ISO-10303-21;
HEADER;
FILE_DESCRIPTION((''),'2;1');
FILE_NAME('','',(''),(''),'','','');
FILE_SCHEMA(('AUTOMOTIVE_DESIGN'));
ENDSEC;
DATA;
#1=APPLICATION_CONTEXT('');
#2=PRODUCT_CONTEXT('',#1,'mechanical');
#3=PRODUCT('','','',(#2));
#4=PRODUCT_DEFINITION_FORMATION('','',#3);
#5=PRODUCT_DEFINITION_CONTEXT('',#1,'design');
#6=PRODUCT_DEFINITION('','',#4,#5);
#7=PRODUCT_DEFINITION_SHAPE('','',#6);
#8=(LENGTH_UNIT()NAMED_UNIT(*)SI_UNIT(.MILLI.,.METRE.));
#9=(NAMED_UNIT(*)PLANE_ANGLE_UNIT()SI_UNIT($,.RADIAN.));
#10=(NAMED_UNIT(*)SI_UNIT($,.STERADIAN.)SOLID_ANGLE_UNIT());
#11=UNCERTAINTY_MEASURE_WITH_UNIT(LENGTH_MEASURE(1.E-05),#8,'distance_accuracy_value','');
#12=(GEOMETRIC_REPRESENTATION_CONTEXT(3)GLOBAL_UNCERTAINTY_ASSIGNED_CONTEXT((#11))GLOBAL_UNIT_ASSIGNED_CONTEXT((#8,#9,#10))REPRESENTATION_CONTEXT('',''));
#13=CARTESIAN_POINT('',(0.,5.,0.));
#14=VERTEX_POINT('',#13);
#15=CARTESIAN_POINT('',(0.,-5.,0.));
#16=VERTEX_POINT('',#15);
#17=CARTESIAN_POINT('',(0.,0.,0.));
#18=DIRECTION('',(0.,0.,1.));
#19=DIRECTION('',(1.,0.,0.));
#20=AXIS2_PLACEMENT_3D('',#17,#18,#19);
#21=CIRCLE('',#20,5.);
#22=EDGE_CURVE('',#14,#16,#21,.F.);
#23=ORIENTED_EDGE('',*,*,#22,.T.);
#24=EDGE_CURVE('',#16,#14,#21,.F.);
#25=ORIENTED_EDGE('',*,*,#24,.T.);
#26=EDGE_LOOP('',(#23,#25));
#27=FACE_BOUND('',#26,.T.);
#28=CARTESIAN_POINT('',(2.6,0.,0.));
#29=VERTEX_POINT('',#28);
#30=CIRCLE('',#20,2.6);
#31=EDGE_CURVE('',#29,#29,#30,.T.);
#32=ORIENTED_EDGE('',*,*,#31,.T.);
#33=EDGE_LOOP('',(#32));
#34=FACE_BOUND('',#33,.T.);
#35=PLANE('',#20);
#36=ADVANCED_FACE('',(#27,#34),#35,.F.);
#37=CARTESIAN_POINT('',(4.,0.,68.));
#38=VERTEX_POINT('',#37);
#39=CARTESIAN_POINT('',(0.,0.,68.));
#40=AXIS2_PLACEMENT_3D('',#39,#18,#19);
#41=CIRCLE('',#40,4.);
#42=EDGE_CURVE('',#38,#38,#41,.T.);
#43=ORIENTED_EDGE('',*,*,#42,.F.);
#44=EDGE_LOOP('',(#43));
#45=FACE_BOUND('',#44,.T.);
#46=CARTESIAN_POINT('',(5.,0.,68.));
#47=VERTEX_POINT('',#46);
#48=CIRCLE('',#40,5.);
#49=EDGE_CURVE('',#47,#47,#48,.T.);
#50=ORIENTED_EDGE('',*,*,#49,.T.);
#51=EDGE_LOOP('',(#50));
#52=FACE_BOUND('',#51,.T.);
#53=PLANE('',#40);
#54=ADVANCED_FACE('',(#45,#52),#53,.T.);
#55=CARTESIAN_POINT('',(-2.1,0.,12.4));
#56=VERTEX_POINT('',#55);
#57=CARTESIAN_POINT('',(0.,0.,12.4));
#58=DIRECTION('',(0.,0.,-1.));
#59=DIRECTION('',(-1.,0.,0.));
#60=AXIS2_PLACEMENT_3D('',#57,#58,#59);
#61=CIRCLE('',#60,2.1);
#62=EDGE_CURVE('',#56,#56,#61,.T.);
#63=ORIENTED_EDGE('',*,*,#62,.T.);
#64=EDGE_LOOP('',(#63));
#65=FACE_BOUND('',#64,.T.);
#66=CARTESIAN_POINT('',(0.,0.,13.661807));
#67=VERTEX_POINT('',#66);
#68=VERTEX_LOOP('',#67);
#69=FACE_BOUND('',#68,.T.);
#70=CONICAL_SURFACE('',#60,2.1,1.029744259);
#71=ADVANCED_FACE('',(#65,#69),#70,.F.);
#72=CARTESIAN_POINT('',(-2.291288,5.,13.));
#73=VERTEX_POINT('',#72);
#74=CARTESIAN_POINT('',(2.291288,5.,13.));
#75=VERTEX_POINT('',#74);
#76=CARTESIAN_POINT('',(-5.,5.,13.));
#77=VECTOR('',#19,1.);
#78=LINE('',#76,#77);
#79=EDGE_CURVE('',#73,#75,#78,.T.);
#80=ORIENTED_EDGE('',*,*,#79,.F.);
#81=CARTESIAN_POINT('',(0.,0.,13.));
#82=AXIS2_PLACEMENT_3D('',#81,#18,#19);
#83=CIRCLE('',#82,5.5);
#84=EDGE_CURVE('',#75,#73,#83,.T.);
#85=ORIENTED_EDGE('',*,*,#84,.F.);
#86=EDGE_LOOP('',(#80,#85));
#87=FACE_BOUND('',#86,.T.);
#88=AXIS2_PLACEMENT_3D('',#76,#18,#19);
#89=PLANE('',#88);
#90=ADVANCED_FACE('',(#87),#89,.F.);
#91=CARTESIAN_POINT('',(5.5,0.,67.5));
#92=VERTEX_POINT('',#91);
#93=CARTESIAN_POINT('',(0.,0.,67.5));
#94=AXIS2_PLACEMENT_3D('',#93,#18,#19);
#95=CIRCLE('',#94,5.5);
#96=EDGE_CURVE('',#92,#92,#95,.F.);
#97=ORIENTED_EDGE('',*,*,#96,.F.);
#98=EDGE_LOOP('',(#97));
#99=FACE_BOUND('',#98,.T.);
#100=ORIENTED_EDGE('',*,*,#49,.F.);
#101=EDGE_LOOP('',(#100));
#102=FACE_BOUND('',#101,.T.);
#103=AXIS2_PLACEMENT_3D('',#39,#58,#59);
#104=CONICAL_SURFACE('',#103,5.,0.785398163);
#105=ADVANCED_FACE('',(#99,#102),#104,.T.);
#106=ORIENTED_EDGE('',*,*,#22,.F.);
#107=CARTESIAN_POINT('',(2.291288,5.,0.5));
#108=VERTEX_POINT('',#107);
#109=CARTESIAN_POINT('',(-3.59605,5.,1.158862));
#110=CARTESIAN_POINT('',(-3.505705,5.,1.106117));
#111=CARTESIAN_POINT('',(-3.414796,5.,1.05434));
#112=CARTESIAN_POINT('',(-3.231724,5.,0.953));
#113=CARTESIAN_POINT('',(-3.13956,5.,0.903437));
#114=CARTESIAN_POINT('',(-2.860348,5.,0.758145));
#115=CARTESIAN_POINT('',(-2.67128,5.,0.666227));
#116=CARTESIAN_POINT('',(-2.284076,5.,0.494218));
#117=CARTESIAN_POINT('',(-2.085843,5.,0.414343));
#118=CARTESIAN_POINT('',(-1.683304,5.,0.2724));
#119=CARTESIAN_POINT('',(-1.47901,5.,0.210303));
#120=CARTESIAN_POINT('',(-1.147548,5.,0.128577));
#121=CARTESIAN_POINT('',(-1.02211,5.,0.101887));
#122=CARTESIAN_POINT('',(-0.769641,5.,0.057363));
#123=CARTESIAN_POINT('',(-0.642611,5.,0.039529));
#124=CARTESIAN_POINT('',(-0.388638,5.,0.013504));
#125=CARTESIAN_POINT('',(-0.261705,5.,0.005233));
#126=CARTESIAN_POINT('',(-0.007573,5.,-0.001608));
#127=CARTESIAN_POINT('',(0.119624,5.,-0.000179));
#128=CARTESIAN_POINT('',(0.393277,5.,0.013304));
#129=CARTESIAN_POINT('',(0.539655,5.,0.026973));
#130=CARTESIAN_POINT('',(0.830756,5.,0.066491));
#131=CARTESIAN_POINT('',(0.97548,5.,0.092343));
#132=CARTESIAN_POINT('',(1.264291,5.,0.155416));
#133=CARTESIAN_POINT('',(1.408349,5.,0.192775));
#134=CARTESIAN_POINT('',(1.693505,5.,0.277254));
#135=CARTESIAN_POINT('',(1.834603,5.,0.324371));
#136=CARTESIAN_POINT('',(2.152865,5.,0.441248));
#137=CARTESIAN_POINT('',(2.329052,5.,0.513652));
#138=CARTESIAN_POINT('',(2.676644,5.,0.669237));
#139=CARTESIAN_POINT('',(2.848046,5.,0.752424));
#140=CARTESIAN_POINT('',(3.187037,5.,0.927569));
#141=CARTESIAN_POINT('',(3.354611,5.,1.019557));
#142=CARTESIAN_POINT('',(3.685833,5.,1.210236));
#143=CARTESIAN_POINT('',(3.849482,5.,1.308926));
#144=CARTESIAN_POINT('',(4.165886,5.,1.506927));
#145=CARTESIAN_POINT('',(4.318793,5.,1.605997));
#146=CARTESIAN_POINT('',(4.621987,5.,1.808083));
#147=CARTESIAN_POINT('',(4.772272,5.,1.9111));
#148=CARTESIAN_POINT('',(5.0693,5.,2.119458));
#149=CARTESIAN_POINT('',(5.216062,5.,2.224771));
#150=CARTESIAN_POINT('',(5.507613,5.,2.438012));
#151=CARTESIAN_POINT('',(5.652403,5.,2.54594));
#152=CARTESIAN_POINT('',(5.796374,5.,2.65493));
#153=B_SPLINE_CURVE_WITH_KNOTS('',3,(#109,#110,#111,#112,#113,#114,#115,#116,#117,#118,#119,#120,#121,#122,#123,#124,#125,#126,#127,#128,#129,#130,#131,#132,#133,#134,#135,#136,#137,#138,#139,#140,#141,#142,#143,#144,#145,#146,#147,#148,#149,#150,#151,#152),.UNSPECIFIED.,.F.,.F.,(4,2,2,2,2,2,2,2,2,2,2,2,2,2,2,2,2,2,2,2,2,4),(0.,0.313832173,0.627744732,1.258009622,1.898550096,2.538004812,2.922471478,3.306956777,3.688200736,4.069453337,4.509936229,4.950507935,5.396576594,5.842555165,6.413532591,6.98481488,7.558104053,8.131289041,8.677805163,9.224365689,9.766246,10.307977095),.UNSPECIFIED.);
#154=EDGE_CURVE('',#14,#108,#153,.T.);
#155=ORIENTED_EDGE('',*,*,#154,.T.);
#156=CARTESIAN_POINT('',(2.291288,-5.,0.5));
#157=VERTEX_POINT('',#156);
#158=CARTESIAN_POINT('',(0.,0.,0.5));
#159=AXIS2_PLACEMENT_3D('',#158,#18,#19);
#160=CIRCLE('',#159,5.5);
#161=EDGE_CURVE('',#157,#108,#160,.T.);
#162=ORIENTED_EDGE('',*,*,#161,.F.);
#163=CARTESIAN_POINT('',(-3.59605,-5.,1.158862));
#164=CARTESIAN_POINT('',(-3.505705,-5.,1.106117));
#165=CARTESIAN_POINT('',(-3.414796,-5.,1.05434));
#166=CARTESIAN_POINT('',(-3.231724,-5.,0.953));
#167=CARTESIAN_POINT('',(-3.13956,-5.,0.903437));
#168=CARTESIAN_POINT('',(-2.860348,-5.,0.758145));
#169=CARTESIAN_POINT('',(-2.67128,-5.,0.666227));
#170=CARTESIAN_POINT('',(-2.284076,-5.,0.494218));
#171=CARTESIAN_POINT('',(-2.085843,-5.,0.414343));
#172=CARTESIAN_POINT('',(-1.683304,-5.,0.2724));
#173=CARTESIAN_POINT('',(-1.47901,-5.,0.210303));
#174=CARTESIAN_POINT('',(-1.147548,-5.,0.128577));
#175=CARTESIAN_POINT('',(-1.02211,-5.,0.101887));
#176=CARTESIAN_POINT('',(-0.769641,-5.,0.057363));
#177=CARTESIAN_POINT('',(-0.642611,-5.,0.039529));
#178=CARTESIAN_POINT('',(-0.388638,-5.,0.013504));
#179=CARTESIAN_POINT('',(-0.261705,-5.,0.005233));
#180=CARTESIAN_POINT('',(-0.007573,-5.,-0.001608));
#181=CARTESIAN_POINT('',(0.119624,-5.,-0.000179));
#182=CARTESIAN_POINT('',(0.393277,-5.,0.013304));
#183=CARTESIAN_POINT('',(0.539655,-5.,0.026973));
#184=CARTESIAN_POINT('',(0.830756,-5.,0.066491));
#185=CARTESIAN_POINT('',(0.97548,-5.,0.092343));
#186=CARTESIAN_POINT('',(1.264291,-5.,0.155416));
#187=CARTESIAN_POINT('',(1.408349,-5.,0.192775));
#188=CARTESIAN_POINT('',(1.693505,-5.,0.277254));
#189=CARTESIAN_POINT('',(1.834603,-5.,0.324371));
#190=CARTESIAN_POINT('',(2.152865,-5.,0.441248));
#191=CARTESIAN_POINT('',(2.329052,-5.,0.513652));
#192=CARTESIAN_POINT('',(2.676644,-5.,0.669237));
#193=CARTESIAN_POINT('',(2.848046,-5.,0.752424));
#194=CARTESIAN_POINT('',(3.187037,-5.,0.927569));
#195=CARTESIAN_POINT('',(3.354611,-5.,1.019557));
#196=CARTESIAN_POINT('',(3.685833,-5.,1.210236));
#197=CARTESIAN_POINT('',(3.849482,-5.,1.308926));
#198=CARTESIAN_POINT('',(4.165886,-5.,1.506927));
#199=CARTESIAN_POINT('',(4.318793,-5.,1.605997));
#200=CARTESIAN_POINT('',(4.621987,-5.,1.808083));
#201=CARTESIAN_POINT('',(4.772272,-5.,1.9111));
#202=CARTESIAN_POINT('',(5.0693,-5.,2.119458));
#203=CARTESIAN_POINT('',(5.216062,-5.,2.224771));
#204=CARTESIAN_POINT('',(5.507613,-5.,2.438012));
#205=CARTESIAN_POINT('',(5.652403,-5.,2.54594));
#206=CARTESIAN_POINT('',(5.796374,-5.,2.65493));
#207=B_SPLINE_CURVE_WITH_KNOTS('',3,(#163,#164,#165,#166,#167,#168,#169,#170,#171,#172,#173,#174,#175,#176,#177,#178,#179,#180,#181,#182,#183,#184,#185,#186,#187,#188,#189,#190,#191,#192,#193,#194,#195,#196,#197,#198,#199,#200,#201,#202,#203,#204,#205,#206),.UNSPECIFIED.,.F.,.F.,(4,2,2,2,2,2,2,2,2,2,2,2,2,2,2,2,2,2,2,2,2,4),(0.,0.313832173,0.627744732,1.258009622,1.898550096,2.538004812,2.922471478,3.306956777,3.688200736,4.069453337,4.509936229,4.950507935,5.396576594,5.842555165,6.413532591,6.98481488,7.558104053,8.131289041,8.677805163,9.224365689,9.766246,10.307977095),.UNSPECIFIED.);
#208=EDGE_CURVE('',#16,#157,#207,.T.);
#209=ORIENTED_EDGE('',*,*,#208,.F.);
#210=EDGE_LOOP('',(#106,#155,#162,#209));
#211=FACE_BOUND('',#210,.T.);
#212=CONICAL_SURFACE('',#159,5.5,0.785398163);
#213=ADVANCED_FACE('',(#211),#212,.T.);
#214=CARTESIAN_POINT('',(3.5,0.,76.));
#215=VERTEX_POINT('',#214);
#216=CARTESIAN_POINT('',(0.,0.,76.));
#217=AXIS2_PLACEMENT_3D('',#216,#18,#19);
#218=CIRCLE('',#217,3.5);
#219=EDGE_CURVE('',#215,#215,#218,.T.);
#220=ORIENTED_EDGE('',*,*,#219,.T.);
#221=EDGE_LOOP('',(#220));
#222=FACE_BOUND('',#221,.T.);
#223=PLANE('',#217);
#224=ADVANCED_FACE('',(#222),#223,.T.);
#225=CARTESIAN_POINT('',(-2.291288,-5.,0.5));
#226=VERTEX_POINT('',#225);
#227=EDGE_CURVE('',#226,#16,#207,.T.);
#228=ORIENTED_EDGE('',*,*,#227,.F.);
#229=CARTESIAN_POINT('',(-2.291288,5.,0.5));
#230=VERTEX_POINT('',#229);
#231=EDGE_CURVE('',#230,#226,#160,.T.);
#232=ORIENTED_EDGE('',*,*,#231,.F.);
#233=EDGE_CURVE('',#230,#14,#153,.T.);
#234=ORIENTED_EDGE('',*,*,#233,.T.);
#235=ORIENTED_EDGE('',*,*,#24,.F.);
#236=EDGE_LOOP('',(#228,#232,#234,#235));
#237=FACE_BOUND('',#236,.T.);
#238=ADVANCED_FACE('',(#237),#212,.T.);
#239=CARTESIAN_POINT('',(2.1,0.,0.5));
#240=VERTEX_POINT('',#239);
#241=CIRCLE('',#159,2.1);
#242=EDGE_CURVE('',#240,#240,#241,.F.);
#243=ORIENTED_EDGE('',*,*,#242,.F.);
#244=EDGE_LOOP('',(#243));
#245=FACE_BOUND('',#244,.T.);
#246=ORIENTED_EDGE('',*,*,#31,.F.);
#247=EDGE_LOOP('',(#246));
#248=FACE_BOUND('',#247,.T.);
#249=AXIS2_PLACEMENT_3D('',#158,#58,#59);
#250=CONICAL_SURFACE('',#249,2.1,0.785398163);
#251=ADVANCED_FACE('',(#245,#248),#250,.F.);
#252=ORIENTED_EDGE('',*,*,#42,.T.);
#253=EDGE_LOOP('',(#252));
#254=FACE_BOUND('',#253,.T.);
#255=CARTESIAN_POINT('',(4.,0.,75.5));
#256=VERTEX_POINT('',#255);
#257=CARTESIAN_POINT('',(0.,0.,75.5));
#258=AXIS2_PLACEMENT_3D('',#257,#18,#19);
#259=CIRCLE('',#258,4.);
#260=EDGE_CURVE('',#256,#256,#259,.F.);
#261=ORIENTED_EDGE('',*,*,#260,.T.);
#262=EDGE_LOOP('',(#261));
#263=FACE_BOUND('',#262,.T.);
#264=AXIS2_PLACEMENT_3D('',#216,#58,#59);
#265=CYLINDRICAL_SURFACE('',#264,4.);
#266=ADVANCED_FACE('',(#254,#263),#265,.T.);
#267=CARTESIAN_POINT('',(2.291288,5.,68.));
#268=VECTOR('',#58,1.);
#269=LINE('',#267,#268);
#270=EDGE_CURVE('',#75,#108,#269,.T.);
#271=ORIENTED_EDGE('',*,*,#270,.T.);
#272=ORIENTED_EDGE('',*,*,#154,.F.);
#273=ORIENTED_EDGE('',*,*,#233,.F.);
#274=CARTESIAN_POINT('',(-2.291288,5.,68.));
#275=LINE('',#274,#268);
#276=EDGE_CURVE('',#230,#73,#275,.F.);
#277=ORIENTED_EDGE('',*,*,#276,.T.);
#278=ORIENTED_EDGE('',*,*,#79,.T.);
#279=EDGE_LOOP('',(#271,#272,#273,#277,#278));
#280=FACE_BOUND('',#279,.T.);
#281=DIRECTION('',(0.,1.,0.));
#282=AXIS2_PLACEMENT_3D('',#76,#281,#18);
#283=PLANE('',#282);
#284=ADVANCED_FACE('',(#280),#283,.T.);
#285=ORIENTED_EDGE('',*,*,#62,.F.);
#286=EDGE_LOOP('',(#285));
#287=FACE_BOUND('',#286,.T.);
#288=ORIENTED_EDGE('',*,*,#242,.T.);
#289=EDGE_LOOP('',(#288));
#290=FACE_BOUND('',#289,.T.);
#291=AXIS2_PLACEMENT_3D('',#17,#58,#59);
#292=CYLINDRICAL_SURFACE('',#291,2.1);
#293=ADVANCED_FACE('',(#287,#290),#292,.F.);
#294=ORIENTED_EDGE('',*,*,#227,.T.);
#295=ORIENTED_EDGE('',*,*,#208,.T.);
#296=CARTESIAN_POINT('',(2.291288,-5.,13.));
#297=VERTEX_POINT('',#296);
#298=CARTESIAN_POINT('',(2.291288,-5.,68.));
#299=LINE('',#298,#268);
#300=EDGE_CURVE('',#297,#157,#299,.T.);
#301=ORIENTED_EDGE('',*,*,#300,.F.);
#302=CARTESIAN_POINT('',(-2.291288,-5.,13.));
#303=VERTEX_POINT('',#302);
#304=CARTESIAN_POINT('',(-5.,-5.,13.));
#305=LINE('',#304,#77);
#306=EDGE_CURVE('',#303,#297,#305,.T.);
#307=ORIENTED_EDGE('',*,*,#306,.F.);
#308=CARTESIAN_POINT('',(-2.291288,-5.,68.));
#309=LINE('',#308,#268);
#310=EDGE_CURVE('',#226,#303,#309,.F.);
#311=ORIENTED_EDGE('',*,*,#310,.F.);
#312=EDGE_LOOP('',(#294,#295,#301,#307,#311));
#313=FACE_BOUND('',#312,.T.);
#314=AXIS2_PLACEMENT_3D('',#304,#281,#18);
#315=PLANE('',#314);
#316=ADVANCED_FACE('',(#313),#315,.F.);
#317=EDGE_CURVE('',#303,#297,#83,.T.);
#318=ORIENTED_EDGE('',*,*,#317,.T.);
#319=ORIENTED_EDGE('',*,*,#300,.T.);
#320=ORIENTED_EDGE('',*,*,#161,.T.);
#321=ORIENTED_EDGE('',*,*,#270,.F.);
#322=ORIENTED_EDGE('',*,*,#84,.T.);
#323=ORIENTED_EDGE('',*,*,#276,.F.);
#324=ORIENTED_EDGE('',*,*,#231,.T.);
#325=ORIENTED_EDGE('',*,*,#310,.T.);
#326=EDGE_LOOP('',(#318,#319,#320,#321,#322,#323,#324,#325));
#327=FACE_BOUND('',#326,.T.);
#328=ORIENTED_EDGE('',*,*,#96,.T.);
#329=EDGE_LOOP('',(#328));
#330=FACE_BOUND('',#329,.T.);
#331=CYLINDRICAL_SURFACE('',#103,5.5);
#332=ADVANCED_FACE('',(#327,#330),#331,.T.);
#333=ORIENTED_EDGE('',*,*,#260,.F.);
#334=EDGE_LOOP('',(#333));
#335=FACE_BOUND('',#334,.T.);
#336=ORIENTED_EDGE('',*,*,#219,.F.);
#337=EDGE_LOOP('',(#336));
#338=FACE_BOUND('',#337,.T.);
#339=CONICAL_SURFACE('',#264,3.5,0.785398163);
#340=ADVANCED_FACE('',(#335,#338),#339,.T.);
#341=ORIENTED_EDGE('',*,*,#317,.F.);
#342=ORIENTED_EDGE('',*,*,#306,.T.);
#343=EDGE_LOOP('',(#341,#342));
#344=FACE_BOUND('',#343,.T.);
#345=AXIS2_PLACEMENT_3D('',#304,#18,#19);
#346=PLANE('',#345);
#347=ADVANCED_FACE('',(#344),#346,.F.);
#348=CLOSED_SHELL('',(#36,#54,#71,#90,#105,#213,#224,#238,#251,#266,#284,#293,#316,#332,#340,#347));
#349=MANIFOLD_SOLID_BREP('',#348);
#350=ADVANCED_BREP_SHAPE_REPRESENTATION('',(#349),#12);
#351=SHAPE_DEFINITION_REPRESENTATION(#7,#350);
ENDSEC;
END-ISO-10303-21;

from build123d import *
from build123d.topology import SkipClean

# Parameters (mm, degrees)
SKETCH_1_R             = 5.5
EXTRUDE_1_DEPTH        = 68
CHAMFER_1_SIZE         = 0.5
SKETCH_2_R             = 4
EXTRUDE_2_DEPTH        = 8
CHAMFER_2_SIZE         = 0.5
HOLE_WIZARD_M5_1_D     = 4.2
HOLE_WIZARD_M5_1_DEPTH = 12.4
HOLE_WIZARD_M5_1_TIP   = 1.2618073
CHAMFER_3_SIZE         = 0.5
SKETCH_5_W             = 10
SKETCH_5_H             = 3
CUT_EXTRUDE_3_DEPTH    = 13


with BuildPart() as part:
    # 草图1 → 拉伸1 (new body)
    with BuildSketch(Plane.XY):
        Circle(SKETCH_1_R)
    extrude(amount=EXTRUDE_1_DEPTH)

    # 倒角1
    chamfer_1_edges = [part.edges().sort_by_distance(p)[0] for p in [
        (-5.5, 0, 0),
        (-5.5, 0, 68),
    ]]
    chamfer(chamfer_1_edges, length=CHAMFER_1_SIZE)

    # 草图2 → 拉伸2 (add)
    with BuildSketch(Plane.XY.offset(68)):
        Circle(SKETCH_2_R)
    extrude(amount=EXTRUDE_2_DEPTH)

    # 倒角2
    chamfer_2_edges = [part.edges().sort_by_distance(p)[0] for p in [
        (-4, 0, 76),
    ]]
    chamfer(chamfer_2_edges, length=CHAMFER_2_SIZE)

    # M5 螺纹孔1
    with Locations(Plane(origin=(0, 0, 0), x_dir=(-1, 0, 0), z_dir=(0, 0, -1))):
        with Locations((0, 0)):
            Hole(HOLE_WIZARD_M5_1_D / 2, depth=HOLE_WIZARD_M5_1_DEPTH)
            with Locations((0, 0, -(HOLE_WIZARD_M5_1_DEPTH + HOLE_WIZARD_M5_1_TIP / 2))):  # 118° drill point
                Cone(0, HOLE_WIZARD_M5_1_D / 2, HOLE_WIZARD_M5_1_TIP, mode=Mode.SUBTRACT)

    # 倒角3
    chamfer_3_edges = [part.edges().sort_by_distance(p)[0] for p in [
        (-2.1, 0, 0),
    ]]
    chamfer(chamfer_3_edges, length=CHAMFER_3_SIZE)

    # 草图5 → 拉伸3 (cut)
    with SkipClean():  # the faces are left unmerged after this step: merging them gives an invalid solid
        with BuildSketch(Plane.XY):
            with Locations((0, 6.5)):
                Rectangle(SKETCH_5_W, SKETCH_5_H)
        cut_extrude_3 = extrude(amount=CUT_EXTRUDE_3_DEPTH, mode=Mode.SUBTRACT)

    # 镜向1: 拉伸3 across plane
    add(cut_extrude_3.mirror(Plane.ZX), mode=Mode.SUBTRACT)


solid = part.part
